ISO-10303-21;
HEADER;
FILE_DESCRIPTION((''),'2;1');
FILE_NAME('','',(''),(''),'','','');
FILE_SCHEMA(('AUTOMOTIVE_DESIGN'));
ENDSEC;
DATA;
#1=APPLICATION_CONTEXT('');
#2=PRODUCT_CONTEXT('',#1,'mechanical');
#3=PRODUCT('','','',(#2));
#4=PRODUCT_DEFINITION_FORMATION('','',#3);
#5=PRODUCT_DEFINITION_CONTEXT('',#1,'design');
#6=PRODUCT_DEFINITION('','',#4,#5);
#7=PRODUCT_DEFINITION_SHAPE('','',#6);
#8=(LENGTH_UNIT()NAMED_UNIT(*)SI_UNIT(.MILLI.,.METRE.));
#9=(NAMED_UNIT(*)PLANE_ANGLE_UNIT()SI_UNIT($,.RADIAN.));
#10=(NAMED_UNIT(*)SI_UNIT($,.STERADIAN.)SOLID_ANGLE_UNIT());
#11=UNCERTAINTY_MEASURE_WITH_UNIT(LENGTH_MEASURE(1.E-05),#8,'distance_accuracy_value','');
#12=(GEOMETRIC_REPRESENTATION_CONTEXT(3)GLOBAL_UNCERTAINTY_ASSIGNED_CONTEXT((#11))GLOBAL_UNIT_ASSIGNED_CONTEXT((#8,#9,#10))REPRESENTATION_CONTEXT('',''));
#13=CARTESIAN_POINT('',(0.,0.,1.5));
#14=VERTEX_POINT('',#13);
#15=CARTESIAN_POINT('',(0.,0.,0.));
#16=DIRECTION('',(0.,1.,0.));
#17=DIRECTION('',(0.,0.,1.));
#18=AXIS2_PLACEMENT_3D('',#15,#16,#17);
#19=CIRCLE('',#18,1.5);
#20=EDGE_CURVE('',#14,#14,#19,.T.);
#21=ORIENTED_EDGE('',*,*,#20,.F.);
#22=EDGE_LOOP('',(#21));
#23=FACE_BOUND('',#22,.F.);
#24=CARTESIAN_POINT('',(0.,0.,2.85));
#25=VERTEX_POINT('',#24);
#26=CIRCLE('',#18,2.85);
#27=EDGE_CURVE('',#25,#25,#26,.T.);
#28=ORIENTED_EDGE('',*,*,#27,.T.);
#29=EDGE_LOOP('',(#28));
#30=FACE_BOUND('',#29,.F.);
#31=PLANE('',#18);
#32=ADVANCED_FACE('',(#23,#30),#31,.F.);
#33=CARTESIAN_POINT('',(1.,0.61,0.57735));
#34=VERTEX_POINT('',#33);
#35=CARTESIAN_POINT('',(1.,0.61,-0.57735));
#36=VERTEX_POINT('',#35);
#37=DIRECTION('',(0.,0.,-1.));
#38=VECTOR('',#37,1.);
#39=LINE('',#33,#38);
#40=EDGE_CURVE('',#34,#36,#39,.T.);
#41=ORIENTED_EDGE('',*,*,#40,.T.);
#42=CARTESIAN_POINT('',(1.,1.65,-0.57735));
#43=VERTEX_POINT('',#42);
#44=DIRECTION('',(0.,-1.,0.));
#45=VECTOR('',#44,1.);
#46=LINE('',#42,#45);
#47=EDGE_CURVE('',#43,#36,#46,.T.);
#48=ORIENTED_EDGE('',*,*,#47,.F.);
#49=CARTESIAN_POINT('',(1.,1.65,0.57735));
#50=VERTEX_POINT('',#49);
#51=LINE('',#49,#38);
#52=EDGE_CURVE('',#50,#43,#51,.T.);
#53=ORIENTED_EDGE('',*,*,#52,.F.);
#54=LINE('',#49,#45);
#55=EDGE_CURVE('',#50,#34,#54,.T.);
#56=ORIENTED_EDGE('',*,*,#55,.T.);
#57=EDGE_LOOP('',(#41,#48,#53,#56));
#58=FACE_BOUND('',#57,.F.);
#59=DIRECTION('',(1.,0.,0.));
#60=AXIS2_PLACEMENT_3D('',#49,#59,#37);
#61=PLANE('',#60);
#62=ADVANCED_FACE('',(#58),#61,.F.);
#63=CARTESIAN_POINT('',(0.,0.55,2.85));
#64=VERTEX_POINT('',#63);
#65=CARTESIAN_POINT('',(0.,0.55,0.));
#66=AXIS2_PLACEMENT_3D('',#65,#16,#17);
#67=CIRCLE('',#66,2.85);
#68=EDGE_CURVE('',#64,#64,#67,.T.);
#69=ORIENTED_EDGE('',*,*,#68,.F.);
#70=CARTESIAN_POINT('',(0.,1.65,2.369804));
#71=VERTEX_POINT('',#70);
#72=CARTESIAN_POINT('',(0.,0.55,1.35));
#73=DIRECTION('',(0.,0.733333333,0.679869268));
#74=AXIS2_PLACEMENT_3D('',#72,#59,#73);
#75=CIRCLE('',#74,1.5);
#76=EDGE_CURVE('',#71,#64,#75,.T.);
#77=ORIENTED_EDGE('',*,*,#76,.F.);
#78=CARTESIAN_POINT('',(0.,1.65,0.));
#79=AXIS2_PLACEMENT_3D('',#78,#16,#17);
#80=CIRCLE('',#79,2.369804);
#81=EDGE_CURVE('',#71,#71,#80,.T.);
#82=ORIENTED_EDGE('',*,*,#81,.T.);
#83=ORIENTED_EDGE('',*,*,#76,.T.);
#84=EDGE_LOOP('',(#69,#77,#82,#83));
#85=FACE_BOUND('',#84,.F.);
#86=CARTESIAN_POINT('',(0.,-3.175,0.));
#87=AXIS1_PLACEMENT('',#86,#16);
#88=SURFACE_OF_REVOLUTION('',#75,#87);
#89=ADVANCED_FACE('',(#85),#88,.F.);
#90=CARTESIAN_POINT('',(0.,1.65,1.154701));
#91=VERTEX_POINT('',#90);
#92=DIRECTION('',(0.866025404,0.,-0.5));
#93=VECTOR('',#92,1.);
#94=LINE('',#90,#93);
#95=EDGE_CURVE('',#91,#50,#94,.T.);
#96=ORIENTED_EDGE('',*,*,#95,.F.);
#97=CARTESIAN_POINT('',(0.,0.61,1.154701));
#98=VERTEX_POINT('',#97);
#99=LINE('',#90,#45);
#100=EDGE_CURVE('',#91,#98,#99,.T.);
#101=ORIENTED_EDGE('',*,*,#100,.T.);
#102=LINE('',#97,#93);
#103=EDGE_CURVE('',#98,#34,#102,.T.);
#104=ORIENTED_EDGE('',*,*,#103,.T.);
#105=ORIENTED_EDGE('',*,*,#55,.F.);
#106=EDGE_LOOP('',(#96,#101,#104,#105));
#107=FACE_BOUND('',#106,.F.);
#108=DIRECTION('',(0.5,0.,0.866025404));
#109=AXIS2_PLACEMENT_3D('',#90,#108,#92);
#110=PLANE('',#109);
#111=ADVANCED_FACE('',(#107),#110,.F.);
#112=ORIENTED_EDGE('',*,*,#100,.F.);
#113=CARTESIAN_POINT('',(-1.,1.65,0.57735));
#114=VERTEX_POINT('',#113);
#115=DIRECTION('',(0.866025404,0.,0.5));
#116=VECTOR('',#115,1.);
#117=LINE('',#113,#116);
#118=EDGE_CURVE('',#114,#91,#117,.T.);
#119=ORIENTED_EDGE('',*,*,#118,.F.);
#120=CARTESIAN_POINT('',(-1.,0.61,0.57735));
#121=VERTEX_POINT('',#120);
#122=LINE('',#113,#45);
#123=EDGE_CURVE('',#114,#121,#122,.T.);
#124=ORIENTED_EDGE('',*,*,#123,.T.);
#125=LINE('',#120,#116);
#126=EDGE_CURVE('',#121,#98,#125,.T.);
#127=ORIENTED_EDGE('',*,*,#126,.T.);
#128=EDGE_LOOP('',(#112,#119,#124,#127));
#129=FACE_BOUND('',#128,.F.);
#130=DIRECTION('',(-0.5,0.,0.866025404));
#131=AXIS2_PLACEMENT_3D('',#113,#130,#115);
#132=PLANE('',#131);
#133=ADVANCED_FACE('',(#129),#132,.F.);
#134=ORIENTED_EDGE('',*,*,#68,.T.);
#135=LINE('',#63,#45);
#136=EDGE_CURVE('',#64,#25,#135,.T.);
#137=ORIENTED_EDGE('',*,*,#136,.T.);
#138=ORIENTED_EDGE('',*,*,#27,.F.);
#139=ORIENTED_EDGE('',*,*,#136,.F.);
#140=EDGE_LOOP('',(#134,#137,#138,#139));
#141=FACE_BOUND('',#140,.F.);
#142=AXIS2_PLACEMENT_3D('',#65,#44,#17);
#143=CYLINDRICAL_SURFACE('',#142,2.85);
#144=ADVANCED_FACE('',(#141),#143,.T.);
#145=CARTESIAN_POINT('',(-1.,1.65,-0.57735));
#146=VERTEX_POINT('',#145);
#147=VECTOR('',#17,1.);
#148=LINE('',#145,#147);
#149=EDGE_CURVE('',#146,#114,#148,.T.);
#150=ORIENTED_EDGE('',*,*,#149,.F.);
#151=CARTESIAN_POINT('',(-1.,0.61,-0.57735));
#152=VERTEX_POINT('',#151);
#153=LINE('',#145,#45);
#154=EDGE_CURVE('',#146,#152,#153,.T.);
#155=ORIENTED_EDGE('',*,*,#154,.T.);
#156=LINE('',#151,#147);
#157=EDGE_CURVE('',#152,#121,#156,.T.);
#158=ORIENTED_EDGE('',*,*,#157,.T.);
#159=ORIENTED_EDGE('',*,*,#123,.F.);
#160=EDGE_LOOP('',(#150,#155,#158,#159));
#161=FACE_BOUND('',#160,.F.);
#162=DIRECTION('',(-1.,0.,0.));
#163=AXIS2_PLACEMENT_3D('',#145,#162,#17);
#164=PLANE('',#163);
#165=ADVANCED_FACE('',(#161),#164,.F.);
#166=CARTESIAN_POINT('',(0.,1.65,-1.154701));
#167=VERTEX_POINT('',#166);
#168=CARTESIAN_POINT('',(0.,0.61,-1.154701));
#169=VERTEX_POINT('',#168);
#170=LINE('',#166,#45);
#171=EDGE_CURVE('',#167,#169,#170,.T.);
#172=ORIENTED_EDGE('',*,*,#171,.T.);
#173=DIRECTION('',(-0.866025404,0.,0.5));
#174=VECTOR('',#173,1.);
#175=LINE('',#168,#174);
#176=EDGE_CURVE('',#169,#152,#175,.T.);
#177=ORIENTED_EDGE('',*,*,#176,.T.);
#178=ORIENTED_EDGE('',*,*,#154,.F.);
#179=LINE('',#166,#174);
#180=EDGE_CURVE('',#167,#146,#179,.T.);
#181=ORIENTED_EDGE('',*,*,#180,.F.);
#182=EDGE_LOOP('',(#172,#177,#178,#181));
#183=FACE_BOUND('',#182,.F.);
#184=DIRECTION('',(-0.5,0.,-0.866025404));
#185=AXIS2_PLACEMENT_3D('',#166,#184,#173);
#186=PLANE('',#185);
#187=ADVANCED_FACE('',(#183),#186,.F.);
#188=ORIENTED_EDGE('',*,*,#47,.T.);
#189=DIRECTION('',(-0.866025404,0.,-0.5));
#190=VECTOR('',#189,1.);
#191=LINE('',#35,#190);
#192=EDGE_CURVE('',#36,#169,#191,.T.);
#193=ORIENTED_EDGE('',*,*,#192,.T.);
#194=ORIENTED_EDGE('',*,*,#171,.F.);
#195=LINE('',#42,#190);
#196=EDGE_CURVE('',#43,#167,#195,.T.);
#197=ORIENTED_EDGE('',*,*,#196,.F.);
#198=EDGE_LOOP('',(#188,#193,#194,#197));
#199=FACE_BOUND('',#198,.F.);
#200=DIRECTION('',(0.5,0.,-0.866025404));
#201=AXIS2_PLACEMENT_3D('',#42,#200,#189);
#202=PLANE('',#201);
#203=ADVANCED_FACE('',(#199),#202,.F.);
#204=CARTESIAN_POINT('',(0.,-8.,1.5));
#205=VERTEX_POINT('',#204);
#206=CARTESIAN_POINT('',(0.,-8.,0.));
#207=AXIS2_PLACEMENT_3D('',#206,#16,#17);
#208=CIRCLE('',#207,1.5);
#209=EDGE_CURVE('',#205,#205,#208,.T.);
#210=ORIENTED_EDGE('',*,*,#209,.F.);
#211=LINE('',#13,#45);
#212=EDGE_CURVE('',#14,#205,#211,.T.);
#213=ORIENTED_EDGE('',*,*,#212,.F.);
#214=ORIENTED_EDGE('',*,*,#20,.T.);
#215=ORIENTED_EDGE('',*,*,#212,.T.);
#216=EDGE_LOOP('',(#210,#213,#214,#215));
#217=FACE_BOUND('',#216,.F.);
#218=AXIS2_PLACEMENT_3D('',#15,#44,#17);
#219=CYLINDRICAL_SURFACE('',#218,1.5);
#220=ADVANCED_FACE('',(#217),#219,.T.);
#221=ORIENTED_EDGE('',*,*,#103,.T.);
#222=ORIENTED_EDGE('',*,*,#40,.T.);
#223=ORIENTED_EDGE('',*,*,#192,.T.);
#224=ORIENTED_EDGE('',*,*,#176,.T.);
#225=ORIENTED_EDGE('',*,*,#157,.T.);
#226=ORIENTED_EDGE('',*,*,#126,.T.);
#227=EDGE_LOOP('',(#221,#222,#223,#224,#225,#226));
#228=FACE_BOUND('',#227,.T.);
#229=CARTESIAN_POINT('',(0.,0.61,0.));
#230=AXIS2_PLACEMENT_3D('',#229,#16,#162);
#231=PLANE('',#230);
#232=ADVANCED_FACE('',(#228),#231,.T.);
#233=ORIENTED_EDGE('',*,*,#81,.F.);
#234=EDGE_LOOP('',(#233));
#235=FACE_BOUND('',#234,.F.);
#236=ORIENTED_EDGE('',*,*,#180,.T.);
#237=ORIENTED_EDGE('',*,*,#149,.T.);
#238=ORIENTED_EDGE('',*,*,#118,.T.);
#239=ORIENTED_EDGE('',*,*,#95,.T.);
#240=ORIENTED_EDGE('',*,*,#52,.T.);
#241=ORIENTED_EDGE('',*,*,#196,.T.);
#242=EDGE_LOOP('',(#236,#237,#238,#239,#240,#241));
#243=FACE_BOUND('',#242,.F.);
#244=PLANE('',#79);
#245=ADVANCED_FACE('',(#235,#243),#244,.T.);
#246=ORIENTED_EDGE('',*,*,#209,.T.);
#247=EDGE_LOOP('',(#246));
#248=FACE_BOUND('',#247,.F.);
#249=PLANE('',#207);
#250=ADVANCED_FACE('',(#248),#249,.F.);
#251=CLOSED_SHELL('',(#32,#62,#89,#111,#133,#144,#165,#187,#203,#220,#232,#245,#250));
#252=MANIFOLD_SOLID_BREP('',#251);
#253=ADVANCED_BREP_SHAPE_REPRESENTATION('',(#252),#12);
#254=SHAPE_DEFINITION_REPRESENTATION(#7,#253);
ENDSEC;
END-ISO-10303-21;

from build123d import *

# Parameters (mm, degrees)
F4_DEPTH = 1.04


with BuildPart() as f2:
    # F1 (on Right) → F2 (revolve)
    with BuildSketch(Plane.YZ):
        with BuildLine():
            Line((-8, 0), (1.65, 0))
            Line((1.65, 0), (1.65, 2.3698039027))
            ThreePointArc((1.65, 2.3698039027), (1.1501225483, 2.7247192175), (0.55, 2.85))
            Line((0.55, 2.85), (0, 2.85))
            Line((0, 2.85), (0, 1.5))
            Line((0, 1.5), (-8, 1.5))
            Line((-8, 1.5), (-8, 0))
        make_face()
    revolve(axis=Axis((0, -3.175, 0), (0, 1, 0)))

    # F3 (on face) → F4 (cut)
    with BuildSketch(Plane(origin=(0, 1.65, 0), x_dir=(-1, 0, 0), z_dir=(0, 1, 0))):
        Polygon((-1, 0.5773502692), (-1, -0.5773502692), (0, -1.1547005384), (1, -0.5773502692), (1, 0.5773502692), (0, 1.1547005384), align=None)
    extrude(amount=-F4_DEPTH, mode=Mode.SUBTRACT)


solid = f2.part
